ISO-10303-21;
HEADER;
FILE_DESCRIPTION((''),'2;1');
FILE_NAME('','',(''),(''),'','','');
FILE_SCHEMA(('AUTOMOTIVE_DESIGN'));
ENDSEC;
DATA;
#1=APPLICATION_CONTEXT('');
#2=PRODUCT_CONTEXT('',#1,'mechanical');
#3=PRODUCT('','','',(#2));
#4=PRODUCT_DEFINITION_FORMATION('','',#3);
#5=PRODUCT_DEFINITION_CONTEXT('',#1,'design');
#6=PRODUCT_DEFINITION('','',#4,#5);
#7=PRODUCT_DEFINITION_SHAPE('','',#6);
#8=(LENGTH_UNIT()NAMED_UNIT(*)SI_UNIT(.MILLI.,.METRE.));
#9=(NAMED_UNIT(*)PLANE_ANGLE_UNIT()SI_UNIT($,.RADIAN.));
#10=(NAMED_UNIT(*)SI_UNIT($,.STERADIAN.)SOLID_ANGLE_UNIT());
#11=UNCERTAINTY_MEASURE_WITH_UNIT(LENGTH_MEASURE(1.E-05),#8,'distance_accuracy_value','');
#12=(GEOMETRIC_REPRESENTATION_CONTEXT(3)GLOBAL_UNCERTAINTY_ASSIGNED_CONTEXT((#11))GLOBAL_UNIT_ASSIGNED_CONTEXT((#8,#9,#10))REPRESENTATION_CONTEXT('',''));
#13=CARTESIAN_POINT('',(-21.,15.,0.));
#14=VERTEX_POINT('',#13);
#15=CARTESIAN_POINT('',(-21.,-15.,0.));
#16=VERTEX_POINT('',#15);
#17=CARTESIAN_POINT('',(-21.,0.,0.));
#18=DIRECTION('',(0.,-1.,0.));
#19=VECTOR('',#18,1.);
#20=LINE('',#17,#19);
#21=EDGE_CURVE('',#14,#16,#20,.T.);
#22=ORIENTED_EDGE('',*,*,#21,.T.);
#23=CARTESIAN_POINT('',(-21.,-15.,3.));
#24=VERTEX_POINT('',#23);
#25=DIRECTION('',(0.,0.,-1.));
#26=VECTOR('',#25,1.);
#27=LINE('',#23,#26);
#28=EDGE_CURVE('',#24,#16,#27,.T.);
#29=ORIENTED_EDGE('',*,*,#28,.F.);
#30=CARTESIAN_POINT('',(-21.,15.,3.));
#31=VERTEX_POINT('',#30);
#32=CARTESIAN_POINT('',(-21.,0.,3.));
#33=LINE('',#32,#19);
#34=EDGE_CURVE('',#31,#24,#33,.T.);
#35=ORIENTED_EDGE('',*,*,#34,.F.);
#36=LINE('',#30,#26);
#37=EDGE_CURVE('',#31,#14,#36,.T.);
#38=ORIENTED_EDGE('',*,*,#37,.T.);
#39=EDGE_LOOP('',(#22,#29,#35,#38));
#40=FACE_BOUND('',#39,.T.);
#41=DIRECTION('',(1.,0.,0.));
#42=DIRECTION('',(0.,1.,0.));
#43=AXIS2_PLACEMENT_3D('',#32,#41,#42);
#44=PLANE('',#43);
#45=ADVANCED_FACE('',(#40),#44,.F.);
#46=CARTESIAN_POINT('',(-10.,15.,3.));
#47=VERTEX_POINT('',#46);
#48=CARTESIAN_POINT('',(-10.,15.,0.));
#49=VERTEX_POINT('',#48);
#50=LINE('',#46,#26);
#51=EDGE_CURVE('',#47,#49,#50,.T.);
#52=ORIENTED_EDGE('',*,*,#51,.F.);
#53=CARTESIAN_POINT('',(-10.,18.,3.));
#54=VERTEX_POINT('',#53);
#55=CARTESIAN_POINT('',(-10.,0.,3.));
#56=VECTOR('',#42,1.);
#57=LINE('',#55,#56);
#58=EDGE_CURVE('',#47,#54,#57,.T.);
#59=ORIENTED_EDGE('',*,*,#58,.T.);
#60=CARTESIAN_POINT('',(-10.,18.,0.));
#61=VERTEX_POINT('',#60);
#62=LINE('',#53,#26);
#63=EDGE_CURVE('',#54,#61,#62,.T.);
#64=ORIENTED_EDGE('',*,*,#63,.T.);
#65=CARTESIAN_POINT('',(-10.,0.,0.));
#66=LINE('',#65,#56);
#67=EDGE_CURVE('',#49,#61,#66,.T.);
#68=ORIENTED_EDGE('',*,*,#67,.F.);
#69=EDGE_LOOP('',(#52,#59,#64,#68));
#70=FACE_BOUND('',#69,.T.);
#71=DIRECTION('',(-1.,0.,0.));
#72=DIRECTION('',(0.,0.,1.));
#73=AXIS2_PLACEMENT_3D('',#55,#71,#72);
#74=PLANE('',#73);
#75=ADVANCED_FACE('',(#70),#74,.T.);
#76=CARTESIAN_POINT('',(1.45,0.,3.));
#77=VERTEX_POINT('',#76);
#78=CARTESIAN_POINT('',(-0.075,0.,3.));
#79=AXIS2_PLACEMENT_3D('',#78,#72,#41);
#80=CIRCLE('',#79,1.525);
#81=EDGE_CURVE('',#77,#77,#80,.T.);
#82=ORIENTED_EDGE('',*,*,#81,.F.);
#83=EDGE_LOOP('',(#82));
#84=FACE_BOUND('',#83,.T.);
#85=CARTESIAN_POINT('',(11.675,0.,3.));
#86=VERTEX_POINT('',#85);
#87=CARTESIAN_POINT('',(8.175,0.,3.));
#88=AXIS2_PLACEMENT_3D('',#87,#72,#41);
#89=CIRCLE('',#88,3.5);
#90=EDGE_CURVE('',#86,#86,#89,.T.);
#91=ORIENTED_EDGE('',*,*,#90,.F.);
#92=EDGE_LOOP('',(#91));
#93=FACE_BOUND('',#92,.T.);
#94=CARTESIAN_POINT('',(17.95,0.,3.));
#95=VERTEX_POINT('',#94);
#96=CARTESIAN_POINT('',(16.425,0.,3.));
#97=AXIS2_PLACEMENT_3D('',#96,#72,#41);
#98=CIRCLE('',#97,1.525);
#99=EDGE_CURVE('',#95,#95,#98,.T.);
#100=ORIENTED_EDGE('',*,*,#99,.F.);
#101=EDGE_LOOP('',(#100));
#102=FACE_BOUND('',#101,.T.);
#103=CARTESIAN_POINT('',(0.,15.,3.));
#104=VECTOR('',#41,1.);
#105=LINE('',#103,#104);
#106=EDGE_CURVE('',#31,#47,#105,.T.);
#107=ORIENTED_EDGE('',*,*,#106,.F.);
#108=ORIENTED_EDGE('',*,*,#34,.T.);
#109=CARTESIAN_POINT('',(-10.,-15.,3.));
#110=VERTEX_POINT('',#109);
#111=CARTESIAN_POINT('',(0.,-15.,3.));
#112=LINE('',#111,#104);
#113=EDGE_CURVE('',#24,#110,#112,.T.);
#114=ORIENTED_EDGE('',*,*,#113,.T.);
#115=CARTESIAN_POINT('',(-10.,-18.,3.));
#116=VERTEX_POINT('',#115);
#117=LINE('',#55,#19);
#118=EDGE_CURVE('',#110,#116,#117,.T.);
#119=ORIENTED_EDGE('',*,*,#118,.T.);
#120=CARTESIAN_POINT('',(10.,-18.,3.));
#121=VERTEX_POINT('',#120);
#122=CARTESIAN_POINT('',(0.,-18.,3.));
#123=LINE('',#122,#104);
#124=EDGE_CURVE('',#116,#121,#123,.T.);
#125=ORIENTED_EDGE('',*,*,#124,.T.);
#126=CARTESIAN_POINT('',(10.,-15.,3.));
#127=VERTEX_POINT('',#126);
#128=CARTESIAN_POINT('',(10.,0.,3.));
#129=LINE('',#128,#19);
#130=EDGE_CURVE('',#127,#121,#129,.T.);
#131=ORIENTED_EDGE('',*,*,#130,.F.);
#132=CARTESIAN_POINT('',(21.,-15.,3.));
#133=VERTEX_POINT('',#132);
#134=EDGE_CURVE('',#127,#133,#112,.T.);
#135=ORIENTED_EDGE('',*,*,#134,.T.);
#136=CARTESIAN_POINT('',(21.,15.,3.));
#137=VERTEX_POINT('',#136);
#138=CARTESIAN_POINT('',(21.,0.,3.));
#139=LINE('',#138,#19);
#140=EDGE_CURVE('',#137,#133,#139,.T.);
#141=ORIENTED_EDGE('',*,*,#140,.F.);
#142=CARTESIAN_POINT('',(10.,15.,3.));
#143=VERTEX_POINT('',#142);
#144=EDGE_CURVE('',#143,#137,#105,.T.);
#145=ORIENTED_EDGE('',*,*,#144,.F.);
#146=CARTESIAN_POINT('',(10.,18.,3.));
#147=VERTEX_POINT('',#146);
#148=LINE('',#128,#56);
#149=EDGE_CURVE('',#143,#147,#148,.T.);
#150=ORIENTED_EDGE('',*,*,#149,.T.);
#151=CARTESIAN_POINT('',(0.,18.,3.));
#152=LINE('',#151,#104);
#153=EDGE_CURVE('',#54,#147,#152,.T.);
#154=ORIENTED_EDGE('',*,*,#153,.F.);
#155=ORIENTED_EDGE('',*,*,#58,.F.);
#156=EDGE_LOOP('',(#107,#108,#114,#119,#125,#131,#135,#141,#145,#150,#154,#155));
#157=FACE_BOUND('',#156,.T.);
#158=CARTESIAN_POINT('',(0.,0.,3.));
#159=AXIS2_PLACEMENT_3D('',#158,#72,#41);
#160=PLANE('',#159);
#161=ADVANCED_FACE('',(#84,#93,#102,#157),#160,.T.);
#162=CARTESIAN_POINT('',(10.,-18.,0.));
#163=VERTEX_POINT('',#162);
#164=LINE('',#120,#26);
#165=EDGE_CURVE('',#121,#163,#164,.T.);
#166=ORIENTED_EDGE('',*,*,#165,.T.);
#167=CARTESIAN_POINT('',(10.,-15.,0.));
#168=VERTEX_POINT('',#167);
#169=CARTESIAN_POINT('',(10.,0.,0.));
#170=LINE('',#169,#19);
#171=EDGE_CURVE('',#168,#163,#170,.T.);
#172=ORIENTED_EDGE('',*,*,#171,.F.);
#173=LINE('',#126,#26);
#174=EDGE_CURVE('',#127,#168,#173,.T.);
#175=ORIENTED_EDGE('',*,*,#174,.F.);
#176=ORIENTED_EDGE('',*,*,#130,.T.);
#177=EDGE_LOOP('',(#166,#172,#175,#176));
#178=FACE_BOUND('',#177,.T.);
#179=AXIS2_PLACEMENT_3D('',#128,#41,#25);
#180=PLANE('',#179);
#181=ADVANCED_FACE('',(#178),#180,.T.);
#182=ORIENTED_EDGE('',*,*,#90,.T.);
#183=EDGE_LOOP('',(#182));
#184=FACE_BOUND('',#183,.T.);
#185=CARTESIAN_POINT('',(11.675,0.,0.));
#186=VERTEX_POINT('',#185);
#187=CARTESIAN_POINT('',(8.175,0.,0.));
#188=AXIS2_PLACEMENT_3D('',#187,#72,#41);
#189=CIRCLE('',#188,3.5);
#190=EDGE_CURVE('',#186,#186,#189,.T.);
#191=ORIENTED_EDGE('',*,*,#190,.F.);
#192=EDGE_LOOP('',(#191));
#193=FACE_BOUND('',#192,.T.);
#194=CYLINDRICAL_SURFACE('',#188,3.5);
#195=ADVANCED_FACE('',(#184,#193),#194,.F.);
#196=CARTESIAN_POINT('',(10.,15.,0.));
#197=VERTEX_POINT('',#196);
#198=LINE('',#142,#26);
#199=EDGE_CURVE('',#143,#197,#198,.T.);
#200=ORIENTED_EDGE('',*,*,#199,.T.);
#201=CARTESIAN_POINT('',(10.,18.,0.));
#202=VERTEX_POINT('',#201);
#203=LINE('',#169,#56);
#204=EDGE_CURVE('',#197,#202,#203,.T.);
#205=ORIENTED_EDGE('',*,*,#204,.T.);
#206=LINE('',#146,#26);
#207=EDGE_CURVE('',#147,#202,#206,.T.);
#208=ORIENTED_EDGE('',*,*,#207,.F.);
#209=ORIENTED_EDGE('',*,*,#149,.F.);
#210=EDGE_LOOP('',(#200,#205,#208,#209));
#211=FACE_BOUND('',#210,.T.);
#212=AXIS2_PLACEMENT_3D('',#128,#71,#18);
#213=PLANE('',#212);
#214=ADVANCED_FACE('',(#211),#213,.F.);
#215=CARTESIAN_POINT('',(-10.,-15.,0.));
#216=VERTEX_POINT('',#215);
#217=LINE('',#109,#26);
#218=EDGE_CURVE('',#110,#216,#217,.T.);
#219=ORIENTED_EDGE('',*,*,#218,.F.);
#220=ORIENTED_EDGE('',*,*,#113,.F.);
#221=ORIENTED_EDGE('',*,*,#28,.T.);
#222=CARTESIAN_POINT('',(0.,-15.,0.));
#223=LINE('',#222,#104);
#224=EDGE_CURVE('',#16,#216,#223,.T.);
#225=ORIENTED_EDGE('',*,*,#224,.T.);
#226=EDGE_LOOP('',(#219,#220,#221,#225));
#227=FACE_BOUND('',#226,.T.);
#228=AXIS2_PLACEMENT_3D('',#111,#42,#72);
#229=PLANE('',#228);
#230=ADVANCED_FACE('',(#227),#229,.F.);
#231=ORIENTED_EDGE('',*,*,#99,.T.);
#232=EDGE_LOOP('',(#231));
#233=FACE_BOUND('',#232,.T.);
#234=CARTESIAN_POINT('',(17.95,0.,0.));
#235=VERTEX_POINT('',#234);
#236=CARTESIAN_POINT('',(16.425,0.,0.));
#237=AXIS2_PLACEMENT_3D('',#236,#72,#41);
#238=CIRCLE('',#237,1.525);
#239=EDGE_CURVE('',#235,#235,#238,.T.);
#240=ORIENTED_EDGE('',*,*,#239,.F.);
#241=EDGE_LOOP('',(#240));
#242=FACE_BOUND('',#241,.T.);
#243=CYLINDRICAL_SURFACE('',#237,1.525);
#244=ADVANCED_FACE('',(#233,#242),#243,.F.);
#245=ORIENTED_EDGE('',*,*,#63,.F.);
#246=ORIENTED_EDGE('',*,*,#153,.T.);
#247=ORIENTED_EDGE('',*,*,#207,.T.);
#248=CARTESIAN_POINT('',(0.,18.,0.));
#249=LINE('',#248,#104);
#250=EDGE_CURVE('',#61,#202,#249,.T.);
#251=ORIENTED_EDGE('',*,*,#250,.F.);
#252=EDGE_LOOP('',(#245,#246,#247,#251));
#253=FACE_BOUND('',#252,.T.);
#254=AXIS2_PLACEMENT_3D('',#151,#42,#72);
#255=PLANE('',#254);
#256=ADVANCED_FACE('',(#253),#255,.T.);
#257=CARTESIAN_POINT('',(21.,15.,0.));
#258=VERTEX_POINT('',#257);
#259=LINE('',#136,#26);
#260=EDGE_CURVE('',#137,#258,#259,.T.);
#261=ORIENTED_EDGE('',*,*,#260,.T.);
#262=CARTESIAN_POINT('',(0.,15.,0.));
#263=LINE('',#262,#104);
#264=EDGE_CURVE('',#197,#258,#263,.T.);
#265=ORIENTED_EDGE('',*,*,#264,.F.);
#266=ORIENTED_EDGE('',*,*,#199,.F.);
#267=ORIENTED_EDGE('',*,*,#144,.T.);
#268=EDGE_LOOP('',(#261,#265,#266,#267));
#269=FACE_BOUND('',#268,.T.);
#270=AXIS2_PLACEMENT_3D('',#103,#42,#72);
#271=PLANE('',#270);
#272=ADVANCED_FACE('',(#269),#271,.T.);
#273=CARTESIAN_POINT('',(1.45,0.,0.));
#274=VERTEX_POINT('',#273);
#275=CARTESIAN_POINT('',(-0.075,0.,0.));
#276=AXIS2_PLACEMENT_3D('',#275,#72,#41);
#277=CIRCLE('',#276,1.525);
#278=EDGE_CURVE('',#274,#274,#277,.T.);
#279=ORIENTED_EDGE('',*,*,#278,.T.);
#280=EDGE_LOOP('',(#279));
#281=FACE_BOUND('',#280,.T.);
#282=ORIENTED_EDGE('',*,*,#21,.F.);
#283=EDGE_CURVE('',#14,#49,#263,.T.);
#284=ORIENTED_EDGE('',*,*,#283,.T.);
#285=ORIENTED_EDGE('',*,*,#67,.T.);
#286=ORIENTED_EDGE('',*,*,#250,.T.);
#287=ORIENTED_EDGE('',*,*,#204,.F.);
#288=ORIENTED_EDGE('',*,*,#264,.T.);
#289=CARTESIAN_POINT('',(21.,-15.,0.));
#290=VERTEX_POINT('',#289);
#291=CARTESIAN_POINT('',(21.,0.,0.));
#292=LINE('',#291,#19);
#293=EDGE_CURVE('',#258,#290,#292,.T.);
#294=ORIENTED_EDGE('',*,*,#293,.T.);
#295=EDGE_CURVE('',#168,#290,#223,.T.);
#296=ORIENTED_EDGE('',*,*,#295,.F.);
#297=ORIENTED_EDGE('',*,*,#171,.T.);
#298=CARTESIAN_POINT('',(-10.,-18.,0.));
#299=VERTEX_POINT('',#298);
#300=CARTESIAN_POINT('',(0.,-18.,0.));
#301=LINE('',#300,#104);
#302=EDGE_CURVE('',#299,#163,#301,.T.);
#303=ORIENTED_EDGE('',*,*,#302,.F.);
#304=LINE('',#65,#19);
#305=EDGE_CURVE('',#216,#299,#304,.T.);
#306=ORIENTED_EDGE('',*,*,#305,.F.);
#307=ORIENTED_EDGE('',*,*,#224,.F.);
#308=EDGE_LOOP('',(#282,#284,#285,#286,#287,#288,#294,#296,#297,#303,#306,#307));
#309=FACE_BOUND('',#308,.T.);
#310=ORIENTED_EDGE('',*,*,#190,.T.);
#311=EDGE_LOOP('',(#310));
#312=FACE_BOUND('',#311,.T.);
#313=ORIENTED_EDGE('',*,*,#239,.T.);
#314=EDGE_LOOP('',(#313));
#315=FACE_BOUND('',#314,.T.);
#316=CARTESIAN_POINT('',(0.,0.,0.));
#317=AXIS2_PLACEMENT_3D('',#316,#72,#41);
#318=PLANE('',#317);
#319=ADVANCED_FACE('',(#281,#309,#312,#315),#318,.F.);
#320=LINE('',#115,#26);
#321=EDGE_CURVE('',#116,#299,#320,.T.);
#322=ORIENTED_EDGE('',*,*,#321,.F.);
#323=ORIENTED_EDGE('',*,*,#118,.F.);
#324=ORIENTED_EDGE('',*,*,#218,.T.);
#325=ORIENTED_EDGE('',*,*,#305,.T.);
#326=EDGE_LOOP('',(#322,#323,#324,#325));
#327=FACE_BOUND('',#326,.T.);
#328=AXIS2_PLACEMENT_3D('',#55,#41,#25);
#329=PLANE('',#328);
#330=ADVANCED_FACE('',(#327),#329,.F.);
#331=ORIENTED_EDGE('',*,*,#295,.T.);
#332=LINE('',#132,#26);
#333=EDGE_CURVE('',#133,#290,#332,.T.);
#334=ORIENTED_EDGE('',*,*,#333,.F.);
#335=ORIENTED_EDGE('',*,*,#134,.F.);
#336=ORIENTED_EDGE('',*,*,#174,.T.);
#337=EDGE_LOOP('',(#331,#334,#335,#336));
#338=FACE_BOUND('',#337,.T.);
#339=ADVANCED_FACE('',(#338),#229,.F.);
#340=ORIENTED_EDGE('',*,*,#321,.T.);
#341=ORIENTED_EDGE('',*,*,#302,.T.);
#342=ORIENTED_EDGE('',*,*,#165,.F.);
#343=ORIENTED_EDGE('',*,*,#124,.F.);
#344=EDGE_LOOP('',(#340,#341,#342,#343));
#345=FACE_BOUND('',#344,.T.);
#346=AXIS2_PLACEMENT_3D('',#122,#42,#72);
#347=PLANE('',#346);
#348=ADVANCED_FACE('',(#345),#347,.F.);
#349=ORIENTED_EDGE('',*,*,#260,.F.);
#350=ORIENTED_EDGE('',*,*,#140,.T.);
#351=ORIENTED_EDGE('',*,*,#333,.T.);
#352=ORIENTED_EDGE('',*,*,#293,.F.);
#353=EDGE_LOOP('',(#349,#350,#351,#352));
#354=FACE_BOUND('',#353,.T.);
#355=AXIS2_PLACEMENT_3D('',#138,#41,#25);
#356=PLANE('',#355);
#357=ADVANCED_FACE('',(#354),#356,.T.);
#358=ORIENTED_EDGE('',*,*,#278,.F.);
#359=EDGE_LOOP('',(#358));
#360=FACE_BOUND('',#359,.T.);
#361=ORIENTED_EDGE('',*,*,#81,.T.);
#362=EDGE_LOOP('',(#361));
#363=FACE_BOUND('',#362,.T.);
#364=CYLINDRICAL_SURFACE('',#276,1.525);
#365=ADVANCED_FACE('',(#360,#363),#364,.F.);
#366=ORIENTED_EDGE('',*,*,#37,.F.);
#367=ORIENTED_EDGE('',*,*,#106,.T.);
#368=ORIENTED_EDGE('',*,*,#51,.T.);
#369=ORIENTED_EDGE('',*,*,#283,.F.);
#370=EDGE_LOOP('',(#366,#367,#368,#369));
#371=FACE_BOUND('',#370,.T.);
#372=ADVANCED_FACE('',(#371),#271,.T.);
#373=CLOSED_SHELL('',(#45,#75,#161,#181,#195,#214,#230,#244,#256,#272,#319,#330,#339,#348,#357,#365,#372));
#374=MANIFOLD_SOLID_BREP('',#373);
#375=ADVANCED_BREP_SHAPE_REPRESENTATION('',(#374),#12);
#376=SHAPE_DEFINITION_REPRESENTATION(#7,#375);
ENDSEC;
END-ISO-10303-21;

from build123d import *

# Parameters (mm, degrees)
SKETCH1_W           = 42
SKETCH1_H           = 30
SKETCH1_W_2         = 20
SKETCH1_H_2         = 3
BOSS_EXTRUDE1_DEPTH = 3
SKETCH2_R           = 3.5
SKETCH2_R_2         = 1.525
CUT_EXTRUDE1_DEPTH  = 4


with BuildPart() as part:
    # Sketch1 → Boss-Extrude1 (new body)
    with BuildSketch(Plane.XY):
        Rectangle(SKETCH1_W, SKETCH1_H)
        with Locations((0, 16.5)):
            Rectangle(SKETCH1_W_2, SKETCH1_H_2)
        with Locations((0, -16.5)):
            Rectangle(SKETCH1_W_2, SKETCH1_H_2)
    extrude(amount=BOSS_EXTRUDE1_DEPTH)

    # Sketch2 → Cut-Extrude1 (cut, through all)
    with BuildSketch(Plane.XY.offset(3)):
        with Locations((8.175, 0)):
            Circle(SKETCH2_R)
        with Locations((16.425, 0)):
            Circle(SKETCH2_R_2)
        with Locations((-0.075, 0)):
            Circle(SKETCH2_R_2)
    extrude(amount=-CUT_EXTRUDE1_DEPTH, mode=Mode.SUBTRACT)


solid = part.part
